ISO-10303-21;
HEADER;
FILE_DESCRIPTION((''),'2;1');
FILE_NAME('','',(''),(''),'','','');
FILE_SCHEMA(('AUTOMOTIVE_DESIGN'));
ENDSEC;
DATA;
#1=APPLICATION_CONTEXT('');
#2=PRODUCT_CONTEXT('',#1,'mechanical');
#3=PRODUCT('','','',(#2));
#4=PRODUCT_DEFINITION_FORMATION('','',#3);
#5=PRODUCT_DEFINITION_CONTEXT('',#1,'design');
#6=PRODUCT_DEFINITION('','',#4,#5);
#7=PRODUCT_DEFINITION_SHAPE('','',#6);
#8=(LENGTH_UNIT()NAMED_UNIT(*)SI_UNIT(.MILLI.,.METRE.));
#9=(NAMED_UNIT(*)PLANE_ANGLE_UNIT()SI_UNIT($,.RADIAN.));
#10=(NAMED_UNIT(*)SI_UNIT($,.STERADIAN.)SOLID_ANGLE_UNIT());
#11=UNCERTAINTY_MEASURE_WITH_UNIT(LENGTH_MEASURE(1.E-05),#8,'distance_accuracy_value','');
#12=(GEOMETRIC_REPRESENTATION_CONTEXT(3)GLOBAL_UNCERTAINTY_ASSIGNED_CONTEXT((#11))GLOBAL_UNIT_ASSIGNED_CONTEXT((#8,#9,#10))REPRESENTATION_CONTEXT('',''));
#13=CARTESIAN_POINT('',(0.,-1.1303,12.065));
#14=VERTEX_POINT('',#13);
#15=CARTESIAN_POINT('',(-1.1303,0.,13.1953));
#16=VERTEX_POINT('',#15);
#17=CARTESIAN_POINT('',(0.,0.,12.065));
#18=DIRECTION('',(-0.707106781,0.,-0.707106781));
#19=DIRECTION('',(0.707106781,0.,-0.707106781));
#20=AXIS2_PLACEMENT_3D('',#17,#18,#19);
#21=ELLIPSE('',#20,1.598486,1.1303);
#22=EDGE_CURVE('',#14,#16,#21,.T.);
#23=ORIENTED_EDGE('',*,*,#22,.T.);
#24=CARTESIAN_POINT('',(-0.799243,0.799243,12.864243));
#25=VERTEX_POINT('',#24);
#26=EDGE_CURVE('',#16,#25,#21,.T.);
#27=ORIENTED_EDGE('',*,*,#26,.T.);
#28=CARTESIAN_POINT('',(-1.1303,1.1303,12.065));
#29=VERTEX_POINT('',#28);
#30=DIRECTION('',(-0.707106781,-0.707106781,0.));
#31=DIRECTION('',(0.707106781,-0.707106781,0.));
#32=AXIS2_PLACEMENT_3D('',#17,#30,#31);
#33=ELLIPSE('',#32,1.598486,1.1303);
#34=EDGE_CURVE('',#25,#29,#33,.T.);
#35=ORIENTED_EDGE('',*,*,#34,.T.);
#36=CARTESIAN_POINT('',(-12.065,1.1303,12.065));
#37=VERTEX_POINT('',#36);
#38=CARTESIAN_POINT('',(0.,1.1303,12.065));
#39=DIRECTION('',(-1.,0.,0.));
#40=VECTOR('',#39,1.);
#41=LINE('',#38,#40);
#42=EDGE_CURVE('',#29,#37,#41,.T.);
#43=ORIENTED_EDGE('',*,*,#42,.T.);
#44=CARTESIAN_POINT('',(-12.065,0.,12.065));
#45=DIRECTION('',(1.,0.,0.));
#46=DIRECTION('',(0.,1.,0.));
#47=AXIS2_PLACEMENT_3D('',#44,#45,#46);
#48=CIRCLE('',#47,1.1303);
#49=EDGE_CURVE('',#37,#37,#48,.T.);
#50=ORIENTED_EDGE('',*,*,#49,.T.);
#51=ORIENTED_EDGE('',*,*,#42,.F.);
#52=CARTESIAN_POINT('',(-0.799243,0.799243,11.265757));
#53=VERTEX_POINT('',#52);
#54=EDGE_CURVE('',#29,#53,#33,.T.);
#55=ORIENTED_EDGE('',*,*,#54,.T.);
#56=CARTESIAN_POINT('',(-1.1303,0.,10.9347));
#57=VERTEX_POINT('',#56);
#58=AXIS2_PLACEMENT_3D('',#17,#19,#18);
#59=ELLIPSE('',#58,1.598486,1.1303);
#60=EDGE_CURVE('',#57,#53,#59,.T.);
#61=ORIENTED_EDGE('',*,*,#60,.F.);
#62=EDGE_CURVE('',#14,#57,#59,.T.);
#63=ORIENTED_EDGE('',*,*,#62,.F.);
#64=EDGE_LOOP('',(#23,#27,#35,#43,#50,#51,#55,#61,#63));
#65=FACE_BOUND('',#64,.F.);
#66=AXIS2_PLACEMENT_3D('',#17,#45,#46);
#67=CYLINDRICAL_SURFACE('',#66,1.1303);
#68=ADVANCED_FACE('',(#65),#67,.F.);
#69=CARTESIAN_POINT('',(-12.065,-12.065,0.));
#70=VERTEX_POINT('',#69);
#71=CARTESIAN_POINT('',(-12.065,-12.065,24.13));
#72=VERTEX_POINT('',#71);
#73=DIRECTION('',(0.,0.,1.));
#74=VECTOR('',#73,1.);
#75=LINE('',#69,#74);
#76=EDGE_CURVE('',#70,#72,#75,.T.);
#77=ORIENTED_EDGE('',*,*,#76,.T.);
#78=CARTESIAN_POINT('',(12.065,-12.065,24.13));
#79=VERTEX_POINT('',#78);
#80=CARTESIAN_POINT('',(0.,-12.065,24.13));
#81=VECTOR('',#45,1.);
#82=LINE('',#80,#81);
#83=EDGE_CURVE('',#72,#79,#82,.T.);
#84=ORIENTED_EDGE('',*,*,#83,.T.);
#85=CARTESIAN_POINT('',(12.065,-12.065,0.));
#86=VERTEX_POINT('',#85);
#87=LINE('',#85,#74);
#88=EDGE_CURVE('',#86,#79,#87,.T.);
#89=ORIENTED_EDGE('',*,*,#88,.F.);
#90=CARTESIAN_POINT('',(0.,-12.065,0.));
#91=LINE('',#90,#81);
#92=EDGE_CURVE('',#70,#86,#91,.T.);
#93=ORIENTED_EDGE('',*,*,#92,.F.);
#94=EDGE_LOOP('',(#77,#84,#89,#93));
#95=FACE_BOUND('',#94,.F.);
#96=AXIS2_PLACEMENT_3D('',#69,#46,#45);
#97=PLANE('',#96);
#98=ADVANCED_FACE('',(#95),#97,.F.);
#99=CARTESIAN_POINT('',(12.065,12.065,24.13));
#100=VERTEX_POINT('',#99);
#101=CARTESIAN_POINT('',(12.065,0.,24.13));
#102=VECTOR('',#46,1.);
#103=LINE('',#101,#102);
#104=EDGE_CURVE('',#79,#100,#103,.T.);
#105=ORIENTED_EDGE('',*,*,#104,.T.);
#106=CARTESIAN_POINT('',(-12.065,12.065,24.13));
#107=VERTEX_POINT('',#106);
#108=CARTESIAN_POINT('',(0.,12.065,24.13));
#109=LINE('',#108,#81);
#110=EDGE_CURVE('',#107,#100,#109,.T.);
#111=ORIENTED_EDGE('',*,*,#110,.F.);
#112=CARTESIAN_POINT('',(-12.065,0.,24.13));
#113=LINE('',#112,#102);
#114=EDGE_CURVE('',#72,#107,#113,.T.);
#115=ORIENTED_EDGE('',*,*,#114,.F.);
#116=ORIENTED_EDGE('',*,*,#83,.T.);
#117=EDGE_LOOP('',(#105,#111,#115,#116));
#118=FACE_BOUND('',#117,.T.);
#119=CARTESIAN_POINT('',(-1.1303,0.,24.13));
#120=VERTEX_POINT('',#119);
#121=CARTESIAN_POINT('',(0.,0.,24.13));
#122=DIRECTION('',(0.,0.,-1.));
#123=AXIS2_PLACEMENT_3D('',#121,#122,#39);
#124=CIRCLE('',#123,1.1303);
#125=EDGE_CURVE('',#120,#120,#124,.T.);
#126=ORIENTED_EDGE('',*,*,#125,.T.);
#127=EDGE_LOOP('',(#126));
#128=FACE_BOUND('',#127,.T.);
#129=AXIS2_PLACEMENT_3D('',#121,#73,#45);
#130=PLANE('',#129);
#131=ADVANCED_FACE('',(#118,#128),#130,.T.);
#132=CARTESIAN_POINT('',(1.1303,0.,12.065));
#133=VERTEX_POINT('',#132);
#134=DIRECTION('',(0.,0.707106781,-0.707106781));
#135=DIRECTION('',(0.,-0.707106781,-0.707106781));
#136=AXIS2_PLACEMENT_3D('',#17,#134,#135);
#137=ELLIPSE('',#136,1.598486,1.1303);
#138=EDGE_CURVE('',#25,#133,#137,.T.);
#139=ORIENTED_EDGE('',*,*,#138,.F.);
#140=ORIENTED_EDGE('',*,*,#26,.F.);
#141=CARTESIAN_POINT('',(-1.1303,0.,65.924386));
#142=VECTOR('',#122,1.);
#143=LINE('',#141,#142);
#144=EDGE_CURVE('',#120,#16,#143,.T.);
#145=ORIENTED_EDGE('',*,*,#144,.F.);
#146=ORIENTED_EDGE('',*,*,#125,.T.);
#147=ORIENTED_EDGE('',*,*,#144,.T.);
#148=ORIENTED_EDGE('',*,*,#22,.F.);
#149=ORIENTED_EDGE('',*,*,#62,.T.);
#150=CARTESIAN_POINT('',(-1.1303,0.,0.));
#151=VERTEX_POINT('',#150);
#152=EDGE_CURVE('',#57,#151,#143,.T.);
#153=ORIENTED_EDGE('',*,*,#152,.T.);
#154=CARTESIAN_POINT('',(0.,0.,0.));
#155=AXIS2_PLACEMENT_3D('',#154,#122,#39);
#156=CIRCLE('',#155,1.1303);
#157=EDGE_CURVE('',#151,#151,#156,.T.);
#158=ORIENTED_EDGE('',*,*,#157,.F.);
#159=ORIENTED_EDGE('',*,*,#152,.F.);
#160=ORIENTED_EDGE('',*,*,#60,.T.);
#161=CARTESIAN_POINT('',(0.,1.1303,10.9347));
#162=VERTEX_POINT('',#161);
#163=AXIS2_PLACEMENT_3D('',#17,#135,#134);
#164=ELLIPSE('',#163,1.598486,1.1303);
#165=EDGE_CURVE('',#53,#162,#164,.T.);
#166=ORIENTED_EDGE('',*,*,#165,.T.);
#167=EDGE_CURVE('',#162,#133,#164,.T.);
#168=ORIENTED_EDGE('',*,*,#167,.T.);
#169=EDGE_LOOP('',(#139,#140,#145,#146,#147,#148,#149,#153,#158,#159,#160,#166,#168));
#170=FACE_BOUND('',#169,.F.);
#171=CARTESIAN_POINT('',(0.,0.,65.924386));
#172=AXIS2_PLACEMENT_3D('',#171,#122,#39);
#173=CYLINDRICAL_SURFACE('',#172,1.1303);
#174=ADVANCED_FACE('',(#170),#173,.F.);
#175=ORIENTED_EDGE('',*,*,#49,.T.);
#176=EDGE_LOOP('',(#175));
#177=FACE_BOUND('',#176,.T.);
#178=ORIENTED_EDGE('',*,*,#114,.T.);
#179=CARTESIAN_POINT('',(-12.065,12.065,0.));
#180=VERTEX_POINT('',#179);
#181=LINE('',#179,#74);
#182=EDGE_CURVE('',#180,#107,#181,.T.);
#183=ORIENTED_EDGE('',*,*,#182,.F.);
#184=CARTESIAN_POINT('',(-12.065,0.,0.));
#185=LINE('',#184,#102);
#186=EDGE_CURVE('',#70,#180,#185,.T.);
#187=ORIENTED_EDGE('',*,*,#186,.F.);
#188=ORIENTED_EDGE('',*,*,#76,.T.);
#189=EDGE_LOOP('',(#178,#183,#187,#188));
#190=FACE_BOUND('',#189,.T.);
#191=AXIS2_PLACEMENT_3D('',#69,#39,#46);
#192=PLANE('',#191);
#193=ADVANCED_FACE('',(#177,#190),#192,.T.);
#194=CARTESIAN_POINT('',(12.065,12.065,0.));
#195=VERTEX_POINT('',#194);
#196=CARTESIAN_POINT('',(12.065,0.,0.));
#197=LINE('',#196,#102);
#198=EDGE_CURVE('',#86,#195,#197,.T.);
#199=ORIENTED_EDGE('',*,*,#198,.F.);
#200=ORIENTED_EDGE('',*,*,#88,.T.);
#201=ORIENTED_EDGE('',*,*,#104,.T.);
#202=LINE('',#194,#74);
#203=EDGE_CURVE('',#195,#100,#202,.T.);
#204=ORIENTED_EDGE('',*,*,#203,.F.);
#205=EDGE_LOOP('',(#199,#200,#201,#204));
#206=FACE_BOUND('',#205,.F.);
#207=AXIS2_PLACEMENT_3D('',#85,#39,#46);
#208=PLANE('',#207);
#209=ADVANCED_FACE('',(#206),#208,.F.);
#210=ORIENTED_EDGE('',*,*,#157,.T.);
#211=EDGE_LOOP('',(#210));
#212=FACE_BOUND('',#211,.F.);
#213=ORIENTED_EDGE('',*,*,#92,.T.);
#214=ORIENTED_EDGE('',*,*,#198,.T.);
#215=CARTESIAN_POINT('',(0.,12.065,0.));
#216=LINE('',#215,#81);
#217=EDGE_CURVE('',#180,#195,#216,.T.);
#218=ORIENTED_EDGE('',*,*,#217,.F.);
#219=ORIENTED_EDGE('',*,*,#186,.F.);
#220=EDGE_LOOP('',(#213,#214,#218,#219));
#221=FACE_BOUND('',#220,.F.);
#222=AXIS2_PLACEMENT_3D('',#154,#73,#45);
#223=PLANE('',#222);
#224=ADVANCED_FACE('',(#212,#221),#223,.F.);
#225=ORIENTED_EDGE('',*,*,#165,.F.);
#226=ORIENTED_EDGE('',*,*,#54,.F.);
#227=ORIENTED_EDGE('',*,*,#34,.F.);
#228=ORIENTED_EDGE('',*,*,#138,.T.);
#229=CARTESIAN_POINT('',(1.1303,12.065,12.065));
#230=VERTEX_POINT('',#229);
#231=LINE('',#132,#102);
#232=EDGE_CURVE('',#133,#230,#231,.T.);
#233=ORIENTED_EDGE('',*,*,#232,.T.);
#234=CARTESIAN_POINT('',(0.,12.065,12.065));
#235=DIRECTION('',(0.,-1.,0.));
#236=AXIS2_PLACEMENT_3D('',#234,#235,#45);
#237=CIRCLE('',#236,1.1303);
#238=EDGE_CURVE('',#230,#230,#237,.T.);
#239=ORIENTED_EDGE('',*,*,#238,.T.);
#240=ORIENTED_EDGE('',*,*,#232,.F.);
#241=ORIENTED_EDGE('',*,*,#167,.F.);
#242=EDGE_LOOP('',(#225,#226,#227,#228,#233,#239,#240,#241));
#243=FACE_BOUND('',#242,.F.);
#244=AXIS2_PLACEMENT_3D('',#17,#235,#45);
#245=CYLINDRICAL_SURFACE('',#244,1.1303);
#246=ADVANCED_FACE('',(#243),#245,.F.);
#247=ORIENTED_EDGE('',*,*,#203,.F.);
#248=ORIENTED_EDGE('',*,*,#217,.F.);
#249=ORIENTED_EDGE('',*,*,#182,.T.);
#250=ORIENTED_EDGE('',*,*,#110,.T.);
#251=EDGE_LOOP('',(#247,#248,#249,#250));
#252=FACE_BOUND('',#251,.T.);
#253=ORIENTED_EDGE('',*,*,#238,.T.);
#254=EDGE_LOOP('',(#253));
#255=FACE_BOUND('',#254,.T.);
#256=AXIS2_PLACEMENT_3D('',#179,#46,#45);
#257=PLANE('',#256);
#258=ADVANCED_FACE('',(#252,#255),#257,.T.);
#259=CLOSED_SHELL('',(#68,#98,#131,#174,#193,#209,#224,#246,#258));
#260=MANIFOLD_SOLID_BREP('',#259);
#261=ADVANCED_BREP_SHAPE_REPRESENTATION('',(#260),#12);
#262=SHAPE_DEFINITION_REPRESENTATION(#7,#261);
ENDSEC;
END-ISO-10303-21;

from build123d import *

# Parameters (mm, degrees)
F0_W     = 24.13
F0_H     = 24.13
F1_DEPTH = 24.13
F3_D     = 2.2606
F5_D     = 2.2606
F5_DEPTH = 12.066
F7_D     = 2.2606
F7_DEPTH = 12.066


with BuildPart() as f1:
    # F0 (on Top) → F1 (new body)
    with BuildSketch(Plane.XY):
        Rectangle(F0_W, F0_H)
    extrude(amount=F1_DEPTH)

    # F3 (through all)
    with Locations(Plane.XY.offset(24.13)):
        with Locations((0, 0)):
            Hole(F3_D / 2)

    # F5 (through all, one way)
    with BuildSketch(Plane.XZ):
        with Locations((0, 12.065)):
            Circle(F5_D / 2)
    extrude(amount=-F5_DEPTH, mode=Mode.SUBTRACT)

    # F7 (through all, one way)
    with BuildSketch(Plane.YZ):
        with Locations((0, 12.065)):
            Circle(F7_D / 2)
    extrude(amount=-F7_DEPTH, mode=Mode.SUBTRACT)


solid = f1.part
